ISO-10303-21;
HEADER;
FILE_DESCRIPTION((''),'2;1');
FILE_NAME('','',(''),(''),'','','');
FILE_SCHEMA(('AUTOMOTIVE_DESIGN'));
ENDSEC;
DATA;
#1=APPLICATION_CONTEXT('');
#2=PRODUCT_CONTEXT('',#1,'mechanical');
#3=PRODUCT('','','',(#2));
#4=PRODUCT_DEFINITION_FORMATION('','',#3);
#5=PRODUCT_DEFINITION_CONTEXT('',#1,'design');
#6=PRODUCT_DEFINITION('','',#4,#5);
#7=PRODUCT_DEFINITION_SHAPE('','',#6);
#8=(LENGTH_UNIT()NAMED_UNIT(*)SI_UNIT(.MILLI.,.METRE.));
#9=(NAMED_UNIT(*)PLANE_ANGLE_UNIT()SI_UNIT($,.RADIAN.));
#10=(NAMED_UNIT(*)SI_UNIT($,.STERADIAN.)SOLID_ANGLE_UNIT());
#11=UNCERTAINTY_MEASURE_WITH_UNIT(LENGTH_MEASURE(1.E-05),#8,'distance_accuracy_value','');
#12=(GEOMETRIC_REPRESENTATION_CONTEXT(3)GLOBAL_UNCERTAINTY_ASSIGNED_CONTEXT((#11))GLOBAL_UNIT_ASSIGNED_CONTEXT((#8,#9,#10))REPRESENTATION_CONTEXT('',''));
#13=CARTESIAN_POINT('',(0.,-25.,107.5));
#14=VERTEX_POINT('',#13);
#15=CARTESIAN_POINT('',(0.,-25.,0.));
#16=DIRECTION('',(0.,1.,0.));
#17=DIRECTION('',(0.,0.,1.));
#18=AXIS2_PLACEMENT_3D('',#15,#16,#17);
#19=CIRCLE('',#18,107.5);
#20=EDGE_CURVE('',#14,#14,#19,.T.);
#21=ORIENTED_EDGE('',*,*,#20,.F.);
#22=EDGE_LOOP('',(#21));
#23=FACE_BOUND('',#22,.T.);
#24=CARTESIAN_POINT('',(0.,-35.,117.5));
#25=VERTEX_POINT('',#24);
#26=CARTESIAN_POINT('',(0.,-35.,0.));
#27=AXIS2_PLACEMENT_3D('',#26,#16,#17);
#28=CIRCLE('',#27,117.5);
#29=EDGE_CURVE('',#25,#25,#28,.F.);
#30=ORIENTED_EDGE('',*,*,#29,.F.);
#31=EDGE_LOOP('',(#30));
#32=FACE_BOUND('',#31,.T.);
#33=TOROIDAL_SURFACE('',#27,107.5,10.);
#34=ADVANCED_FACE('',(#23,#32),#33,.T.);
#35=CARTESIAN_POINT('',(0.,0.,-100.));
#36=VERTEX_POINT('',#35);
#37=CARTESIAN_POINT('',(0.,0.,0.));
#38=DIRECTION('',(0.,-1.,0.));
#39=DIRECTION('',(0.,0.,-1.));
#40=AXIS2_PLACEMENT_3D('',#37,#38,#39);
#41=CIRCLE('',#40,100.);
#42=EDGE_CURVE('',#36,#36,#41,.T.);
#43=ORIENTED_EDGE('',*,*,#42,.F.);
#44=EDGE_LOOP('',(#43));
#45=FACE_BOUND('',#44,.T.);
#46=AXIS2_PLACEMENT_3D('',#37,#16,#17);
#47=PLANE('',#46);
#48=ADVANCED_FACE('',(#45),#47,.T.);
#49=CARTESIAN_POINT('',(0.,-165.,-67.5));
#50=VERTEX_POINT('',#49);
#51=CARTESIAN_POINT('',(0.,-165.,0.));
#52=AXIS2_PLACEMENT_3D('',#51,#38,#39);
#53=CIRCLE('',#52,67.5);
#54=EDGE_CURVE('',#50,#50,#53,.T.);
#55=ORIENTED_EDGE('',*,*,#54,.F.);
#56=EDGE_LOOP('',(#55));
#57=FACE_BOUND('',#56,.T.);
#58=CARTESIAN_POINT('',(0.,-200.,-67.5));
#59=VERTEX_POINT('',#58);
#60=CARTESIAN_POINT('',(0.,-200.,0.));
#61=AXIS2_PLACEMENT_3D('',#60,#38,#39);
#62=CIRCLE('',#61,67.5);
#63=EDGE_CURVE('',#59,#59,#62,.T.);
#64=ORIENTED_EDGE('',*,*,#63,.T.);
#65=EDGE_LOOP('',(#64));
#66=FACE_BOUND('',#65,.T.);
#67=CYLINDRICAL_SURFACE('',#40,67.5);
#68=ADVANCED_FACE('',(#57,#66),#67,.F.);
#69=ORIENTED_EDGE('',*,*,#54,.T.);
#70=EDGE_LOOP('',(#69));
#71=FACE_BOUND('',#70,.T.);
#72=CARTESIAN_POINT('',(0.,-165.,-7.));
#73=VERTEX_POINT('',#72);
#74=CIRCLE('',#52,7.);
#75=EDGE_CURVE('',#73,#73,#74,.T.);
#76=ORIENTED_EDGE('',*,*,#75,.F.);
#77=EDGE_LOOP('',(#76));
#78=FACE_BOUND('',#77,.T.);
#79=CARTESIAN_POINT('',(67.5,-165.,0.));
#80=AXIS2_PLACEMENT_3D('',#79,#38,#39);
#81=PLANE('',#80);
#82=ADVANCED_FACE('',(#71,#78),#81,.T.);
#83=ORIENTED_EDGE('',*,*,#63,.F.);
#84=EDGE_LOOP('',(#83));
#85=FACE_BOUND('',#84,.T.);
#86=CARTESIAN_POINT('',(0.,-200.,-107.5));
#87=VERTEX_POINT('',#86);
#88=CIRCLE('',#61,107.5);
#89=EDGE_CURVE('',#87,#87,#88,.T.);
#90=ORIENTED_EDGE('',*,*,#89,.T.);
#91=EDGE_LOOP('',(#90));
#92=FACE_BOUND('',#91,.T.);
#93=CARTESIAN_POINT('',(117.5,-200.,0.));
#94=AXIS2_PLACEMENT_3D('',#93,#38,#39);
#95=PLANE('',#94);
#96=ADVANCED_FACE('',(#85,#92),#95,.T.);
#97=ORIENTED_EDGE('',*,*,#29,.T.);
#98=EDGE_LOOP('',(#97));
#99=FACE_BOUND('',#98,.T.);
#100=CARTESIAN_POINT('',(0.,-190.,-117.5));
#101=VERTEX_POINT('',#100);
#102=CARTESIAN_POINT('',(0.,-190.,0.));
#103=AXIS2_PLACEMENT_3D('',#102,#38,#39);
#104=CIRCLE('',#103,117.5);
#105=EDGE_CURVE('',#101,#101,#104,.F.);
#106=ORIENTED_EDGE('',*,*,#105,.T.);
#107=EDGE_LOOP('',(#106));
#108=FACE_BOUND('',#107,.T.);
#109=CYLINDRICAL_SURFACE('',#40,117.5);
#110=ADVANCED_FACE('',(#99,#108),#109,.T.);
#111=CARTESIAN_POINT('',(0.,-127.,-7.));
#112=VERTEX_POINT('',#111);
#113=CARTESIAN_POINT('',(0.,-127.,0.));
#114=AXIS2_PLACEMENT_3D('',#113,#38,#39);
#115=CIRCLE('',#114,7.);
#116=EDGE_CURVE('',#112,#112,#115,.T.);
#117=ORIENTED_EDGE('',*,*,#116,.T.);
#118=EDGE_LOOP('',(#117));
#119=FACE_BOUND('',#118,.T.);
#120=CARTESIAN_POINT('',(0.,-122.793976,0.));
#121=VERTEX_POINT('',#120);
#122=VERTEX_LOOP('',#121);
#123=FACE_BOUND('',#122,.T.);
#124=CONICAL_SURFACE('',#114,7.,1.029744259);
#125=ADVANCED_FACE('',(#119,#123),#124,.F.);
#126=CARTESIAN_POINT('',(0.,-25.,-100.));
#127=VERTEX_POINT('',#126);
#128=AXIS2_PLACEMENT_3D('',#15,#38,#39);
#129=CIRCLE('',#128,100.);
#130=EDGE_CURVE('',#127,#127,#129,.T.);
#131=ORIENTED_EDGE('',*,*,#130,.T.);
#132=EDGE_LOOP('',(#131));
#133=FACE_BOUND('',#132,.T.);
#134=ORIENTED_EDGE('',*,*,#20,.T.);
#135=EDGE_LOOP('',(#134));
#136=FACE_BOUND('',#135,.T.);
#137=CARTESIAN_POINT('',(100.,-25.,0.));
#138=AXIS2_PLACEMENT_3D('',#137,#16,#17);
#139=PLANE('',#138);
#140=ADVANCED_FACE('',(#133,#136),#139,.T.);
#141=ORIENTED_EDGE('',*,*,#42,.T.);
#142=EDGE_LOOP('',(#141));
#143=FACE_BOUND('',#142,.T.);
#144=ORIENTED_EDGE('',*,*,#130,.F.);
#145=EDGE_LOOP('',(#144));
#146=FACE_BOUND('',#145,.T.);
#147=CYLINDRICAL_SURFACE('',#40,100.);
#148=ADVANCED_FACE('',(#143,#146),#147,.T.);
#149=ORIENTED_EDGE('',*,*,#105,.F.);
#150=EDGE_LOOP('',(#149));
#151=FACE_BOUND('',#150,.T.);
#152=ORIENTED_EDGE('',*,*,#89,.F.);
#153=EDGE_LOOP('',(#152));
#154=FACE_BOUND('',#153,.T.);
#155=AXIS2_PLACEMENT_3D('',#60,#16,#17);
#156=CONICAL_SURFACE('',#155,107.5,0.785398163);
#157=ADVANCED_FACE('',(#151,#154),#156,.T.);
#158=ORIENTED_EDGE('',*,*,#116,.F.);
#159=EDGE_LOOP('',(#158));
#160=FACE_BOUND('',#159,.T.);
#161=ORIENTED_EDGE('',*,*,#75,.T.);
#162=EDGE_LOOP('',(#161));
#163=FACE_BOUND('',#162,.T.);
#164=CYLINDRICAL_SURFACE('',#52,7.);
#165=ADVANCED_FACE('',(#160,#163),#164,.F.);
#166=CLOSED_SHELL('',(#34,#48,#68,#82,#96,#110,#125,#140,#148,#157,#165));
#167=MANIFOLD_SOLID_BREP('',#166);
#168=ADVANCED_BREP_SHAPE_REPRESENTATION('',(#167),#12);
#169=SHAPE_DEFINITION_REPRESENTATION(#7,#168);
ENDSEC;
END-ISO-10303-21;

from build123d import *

# Parameters (mm, degrees)
HOLE_WIZARD_M16_1_D     = 14
HOLE_WIZARD_M16_1_DEPTH = 38
HOLE_WIZARD_M16_1_TIP   = 4.206024333
CHAMFER_1_SIZE          = 10
FILLET_1_R              = 10


with BuildPart() as part:
    # 草图1 → 旋转1 (revolve)
    with BuildSketch(Plane.XY, mode=Mode.PRIVATE) as revolve_1_sk:
        Polygon((0, 0), (100, 0), (100, -25), (117.5, -25), (117.5, -200), (67.5, -200), (67.5, -165), (0, -165), align=None)
    revolve(revolve_1_sk.sketch.rotate(Axis((0, 0, 0), (0, 1, 0)), 90), axis=Axis((0, 0, 0), (0, 1, 0)))

    # M16 螺纹孔1
    with Locations(Plane(origin=(0, -165, 0), x_dir=(-1, 0, 0), z_dir=(0, -1, 0))):
        with Locations((0, 0)):
            Hole(HOLE_WIZARD_M16_1_D / 2, depth=HOLE_WIZARD_M16_1_DEPTH)
            with Locations((0, 0, -(HOLE_WIZARD_M16_1_DEPTH + HOLE_WIZARD_M16_1_TIP / 2))):  # 118° drill point
                Cone(0, HOLE_WIZARD_M16_1_D / 2, HOLE_WIZARD_M16_1_TIP, mode=Mode.SUBTRACT)

    # 倒角1
    chamfer_1_edges = [part.edges().sort_by_distance(p)[0] for p in [
        (0, -200, 117.5),
    ]]
    chamfer(chamfer_1_edges, length=CHAMFER_1_SIZE)

    # 圆角1
    fillet_1_edges = [part.edges().sort_by_distance(p)[0] for p in [
        (0, -25, 117.5),
    ]]
    fillet(fillet_1_edges, radius=FILLET_1_R)


solid = part.part
